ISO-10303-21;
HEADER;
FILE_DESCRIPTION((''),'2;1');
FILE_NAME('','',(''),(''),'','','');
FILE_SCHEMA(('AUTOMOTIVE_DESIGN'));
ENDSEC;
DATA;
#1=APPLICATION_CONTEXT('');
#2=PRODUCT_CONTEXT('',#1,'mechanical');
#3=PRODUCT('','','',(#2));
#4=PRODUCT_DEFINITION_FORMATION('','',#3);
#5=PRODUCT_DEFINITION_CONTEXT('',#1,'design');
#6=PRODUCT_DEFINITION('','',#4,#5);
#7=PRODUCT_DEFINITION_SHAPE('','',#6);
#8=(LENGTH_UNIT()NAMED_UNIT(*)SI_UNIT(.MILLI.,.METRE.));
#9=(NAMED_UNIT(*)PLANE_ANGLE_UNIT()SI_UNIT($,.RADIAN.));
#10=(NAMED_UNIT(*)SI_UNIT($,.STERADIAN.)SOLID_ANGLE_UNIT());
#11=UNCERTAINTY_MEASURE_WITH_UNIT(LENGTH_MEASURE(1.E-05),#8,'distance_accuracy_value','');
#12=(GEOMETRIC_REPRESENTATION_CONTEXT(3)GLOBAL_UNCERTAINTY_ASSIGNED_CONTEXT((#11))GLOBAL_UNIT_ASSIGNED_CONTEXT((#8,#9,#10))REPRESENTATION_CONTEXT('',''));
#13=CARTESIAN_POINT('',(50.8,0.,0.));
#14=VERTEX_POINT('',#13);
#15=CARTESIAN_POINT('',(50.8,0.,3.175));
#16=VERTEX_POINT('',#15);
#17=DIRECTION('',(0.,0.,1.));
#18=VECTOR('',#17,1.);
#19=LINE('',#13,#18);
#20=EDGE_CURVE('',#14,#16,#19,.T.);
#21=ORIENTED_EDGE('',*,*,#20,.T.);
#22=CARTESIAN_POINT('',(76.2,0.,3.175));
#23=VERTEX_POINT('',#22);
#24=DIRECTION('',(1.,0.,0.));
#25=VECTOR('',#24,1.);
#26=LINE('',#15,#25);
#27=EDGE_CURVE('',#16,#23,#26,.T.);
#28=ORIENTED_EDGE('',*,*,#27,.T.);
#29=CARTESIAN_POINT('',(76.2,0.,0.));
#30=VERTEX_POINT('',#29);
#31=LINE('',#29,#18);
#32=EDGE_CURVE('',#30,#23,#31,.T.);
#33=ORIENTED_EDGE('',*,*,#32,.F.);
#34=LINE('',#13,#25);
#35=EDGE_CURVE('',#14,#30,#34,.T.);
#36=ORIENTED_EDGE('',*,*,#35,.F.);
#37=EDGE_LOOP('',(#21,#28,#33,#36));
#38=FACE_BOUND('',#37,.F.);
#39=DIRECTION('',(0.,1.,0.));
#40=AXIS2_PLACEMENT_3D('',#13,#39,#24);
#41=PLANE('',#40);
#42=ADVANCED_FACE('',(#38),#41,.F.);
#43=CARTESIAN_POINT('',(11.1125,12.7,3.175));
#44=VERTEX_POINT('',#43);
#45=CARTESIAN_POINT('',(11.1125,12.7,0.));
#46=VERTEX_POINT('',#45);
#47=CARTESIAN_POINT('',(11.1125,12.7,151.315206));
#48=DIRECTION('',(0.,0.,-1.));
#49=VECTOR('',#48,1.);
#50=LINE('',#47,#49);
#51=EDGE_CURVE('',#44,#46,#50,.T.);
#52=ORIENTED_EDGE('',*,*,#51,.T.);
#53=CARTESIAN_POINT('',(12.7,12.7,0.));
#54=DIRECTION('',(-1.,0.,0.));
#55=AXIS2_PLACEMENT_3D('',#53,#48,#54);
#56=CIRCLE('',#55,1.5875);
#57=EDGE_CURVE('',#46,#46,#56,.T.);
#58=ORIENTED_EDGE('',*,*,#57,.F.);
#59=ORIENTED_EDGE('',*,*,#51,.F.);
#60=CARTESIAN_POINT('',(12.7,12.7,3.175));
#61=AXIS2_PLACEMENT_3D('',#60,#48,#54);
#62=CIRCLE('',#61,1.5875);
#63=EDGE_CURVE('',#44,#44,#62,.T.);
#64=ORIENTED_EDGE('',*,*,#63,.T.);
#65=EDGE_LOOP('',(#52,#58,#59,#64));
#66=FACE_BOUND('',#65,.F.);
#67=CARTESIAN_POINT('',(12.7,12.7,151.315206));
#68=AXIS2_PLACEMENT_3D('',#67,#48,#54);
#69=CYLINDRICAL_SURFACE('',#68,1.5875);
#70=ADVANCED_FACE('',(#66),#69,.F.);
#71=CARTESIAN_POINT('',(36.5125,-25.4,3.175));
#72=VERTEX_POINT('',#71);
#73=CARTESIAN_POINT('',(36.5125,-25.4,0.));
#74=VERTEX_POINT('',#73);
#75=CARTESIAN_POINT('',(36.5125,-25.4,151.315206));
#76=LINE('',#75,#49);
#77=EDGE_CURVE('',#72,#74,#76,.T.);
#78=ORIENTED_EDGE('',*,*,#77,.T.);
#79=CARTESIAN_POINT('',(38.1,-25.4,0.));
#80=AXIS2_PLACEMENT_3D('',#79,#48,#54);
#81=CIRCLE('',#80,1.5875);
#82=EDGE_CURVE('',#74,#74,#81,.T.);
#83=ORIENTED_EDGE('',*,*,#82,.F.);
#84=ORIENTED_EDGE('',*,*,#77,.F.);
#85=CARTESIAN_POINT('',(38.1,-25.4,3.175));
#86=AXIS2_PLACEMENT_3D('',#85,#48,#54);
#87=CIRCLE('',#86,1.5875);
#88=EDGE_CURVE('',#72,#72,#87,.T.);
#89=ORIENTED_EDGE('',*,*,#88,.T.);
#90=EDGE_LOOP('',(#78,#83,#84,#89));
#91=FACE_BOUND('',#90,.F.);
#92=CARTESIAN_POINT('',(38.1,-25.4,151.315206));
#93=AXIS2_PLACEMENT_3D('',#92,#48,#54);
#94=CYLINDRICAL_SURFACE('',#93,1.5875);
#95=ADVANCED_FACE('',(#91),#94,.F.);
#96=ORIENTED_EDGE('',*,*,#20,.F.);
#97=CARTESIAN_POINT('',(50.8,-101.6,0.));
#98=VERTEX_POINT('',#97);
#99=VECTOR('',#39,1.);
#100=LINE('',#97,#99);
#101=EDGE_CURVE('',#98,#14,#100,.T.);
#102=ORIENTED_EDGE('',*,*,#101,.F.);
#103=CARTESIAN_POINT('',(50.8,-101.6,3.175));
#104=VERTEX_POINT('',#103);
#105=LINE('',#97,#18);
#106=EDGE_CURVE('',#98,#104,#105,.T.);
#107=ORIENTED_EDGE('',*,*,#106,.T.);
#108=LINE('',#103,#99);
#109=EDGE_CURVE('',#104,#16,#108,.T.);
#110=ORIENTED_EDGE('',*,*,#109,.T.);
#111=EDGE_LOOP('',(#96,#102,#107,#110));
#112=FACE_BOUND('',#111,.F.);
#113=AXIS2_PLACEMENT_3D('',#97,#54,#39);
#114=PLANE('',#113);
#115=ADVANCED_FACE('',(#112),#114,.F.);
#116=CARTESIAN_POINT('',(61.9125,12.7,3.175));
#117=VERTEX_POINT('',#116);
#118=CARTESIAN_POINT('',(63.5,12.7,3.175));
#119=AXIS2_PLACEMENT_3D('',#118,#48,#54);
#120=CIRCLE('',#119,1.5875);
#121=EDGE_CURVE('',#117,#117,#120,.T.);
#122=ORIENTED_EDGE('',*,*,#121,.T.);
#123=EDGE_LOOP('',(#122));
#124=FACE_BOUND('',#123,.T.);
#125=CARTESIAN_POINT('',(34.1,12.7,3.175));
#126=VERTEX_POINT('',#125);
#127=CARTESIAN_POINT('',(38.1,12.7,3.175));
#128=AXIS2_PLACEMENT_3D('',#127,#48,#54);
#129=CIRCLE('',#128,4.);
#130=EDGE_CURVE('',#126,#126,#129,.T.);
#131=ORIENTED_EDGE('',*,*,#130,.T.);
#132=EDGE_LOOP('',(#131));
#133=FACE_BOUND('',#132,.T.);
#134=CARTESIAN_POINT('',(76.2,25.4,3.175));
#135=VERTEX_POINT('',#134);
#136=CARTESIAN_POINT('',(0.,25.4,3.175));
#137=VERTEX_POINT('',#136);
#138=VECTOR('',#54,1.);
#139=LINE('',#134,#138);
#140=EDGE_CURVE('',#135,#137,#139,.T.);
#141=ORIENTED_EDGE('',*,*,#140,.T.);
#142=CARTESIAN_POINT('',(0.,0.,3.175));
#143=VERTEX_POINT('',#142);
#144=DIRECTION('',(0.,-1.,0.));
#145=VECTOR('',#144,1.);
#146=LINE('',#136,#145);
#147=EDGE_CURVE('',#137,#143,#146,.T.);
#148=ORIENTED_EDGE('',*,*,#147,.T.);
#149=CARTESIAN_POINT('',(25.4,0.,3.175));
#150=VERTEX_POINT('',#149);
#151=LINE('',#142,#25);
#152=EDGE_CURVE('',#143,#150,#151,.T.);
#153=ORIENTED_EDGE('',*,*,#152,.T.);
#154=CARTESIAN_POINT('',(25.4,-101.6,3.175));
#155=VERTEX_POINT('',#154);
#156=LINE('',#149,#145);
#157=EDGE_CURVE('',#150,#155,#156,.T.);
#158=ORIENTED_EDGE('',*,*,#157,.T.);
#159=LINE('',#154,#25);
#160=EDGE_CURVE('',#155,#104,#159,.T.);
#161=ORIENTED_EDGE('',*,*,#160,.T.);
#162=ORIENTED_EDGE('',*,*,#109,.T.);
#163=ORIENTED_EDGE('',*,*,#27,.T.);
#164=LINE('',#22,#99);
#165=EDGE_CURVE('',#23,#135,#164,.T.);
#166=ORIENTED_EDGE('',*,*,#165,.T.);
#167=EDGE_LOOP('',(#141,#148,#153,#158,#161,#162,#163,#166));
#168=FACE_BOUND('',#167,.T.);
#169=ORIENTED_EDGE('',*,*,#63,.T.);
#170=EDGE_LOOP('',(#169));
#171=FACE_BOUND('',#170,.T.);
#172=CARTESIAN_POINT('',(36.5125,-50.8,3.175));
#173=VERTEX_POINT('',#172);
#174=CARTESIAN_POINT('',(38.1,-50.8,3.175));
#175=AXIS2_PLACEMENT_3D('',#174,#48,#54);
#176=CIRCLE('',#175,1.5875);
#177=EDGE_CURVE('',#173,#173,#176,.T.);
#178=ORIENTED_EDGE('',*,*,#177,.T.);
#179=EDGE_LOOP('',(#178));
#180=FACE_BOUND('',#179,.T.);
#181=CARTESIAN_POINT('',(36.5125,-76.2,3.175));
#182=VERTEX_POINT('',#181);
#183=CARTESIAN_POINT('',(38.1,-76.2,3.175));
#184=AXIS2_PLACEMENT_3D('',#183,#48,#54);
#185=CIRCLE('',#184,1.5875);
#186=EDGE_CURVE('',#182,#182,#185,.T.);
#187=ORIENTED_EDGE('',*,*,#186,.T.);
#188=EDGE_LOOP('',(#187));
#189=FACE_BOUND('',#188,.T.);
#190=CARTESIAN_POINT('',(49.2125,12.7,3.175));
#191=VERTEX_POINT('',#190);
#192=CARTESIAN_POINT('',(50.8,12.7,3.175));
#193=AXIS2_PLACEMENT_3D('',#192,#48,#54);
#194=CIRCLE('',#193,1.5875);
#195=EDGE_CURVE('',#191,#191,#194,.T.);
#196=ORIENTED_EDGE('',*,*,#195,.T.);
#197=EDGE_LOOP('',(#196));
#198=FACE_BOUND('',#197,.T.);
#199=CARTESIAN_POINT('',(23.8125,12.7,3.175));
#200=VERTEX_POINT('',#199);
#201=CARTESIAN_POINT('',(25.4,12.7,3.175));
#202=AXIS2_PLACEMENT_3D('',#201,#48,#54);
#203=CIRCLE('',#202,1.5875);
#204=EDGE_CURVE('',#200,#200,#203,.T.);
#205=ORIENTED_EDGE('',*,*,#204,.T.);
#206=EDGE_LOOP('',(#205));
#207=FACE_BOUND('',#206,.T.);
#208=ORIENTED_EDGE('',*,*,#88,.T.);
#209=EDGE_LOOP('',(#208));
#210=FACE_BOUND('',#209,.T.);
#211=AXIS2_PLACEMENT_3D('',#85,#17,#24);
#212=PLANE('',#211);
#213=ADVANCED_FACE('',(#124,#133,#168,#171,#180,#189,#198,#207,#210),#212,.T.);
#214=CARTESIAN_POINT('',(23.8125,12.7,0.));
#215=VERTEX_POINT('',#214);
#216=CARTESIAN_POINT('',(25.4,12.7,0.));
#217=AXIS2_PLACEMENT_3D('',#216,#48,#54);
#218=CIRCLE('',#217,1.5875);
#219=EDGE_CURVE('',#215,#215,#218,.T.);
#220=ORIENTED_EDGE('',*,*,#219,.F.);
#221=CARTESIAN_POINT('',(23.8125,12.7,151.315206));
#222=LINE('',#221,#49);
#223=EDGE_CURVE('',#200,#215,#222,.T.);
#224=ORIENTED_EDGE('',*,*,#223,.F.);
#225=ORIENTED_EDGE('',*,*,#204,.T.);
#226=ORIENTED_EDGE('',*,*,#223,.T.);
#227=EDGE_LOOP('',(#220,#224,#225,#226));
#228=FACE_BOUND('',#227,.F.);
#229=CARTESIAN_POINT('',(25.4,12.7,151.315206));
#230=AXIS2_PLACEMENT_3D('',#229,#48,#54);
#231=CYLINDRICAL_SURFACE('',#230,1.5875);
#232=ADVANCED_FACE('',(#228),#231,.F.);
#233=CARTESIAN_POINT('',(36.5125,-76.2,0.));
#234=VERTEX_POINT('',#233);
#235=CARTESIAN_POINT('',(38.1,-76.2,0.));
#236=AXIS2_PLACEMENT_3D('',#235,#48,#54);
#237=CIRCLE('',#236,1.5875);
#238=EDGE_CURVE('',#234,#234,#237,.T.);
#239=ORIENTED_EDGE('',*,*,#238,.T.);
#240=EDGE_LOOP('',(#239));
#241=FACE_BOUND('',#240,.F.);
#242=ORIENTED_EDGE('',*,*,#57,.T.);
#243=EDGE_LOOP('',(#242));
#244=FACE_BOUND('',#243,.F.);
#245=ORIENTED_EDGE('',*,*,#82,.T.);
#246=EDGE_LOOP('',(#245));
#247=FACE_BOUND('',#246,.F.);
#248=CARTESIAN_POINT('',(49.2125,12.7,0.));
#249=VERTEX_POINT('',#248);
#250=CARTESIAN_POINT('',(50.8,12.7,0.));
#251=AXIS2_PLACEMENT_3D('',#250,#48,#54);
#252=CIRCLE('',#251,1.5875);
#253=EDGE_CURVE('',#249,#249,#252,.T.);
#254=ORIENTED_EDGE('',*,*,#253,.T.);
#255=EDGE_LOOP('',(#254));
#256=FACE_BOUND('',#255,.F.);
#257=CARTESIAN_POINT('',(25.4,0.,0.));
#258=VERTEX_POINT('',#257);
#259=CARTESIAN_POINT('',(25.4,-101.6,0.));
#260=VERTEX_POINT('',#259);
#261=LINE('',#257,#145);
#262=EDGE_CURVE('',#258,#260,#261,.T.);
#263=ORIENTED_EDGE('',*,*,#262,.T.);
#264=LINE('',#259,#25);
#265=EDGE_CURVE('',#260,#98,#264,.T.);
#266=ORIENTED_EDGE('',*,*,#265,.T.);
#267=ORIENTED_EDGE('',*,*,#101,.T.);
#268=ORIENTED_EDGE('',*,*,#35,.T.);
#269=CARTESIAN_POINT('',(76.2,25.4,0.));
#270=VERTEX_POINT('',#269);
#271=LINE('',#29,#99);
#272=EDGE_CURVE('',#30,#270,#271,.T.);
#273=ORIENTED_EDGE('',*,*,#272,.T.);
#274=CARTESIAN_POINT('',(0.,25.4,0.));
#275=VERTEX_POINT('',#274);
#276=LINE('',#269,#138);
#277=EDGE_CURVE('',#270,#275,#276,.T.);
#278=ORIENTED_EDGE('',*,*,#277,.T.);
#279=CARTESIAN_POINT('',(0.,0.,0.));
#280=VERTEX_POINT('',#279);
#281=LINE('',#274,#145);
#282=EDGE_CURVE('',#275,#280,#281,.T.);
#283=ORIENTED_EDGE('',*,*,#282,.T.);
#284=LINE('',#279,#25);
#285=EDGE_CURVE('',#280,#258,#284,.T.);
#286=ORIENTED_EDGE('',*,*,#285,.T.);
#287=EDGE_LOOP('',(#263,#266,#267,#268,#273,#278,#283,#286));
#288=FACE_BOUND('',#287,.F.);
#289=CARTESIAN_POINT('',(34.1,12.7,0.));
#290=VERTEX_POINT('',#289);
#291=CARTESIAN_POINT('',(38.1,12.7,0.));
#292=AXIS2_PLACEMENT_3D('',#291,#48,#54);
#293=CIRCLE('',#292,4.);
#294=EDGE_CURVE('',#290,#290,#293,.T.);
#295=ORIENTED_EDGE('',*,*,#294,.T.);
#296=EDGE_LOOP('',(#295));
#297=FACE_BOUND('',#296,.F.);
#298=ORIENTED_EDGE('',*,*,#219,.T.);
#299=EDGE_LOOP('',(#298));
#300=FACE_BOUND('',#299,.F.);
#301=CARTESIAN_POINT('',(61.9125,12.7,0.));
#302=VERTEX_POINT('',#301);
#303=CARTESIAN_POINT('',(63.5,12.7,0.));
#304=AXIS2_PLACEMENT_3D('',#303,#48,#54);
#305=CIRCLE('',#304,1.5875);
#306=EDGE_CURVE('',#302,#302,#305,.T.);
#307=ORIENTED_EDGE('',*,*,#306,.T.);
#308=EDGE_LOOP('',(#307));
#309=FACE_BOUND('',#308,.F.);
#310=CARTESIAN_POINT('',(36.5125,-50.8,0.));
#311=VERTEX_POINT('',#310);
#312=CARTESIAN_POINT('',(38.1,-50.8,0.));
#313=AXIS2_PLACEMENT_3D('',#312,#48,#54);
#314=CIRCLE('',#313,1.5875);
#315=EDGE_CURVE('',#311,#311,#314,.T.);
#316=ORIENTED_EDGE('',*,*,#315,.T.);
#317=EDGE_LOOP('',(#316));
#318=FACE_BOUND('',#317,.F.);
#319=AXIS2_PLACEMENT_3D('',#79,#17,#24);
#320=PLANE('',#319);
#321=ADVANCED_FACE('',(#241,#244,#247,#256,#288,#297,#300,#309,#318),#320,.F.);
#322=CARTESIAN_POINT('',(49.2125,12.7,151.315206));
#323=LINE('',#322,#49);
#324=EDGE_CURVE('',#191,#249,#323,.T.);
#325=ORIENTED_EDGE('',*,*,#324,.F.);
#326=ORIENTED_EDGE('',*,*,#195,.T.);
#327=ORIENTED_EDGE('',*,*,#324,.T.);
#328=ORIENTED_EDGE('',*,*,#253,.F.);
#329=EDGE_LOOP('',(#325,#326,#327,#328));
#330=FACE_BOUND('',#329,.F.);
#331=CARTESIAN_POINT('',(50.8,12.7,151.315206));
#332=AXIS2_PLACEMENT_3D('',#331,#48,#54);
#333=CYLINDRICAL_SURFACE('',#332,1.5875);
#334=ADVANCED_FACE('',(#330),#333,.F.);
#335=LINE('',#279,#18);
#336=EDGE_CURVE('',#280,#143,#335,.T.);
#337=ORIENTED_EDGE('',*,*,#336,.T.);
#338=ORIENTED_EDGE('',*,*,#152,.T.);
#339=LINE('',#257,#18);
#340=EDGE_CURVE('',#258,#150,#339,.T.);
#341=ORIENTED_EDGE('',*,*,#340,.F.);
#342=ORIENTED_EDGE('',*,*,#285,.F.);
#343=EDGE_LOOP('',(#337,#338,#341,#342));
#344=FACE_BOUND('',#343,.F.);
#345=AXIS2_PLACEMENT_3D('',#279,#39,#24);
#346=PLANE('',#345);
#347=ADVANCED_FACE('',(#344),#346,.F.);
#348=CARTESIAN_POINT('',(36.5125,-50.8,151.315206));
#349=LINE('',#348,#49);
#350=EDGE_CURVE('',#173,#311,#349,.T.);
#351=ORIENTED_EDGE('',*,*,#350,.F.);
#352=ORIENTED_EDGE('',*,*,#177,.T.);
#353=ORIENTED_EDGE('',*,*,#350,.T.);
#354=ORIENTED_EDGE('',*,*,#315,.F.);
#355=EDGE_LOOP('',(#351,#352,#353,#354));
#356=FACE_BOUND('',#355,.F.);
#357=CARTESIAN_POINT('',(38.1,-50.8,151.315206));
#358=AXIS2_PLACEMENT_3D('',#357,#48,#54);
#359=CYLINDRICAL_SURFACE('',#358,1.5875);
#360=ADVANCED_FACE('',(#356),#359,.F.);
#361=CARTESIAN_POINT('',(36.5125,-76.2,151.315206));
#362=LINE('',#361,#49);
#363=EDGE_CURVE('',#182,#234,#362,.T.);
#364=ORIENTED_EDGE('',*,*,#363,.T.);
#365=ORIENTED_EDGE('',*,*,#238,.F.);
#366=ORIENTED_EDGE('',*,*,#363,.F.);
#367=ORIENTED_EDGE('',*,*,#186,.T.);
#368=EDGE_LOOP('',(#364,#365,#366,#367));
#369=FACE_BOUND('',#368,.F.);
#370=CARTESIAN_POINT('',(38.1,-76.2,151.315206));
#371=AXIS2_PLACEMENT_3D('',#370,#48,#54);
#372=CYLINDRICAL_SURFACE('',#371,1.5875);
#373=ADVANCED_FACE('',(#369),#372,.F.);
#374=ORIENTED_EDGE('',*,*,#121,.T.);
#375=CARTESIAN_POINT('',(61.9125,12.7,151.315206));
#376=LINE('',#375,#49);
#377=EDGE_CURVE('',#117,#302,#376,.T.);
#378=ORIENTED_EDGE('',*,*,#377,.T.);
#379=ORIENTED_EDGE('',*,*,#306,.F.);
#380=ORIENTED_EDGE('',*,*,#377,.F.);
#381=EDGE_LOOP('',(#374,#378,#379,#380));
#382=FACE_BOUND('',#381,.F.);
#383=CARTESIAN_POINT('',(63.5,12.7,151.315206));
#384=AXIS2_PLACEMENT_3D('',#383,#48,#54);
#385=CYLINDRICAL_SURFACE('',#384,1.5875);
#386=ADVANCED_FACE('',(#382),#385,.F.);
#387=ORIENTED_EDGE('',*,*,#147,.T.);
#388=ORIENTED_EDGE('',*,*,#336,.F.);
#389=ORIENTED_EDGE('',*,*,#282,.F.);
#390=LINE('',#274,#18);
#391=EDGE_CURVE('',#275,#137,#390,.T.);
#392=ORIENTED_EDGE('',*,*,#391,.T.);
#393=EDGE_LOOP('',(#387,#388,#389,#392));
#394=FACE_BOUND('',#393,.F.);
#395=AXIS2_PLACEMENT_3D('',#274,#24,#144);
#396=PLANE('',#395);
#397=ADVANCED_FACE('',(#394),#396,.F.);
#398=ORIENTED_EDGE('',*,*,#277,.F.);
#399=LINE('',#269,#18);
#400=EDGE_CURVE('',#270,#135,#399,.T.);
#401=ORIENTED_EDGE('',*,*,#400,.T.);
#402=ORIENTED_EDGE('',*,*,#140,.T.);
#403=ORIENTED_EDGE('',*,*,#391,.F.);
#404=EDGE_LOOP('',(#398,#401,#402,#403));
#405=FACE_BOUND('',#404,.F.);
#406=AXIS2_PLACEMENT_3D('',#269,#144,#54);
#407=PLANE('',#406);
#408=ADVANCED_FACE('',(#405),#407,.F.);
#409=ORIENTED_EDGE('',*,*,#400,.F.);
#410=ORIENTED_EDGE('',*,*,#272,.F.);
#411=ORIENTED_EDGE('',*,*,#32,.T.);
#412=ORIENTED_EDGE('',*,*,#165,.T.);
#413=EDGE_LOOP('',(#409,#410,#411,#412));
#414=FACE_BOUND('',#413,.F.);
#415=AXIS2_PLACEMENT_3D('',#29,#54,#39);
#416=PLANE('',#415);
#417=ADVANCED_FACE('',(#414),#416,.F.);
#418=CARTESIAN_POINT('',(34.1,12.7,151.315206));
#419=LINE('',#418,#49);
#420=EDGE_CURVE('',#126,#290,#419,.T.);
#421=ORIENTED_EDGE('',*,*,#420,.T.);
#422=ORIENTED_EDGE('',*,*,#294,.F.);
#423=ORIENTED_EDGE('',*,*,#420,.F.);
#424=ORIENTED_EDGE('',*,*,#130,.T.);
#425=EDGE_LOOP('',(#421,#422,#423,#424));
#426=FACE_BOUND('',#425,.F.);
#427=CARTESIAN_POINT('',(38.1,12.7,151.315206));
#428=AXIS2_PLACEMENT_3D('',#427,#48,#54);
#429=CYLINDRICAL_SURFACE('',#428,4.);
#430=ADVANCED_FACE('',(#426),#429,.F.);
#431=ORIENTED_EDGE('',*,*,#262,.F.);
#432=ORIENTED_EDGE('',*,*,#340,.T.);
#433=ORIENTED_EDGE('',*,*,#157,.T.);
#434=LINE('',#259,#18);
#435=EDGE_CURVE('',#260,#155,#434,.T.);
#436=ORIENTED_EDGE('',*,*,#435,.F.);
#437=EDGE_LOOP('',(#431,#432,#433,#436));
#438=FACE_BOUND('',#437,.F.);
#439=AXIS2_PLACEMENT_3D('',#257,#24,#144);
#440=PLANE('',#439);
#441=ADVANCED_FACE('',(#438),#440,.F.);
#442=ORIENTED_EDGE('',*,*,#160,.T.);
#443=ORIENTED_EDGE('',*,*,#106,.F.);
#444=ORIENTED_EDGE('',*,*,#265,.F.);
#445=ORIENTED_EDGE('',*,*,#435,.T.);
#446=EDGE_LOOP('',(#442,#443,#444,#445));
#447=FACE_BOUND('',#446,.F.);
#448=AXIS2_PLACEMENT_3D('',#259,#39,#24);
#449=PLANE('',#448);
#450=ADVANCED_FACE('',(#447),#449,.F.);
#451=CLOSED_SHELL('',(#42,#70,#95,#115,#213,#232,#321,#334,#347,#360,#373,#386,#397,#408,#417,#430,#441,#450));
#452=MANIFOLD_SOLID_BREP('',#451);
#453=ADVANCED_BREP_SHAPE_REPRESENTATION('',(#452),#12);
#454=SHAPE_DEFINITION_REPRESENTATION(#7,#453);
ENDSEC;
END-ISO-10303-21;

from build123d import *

# Parameters (mm, degrees)
F1_DEPTH = 3.175
F3_D     = 3.175
F5_D     = 8


with BuildPart() as f1:
    # F0 (on Top) → F1 (new body)
    with BuildSketch(Plane.XY):
        Polygon((0, 25.4), (0, 0), (25.4, 0), (25.4, -101.6), (50.8, -101.6), (50.8, 0), (76.2, 0), (76.2, 25.4), align=None)
    extrude(amount=F1_DEPTH)

    # F3 (through all)
    with Locations(Plane.XY.offset(3.175)):
        with Locations((12.7, 12.7), (25.4, 12.7), (50.8, 12.7), (63.5, 12.7), (38.1, -25.4), (38.1, -50.8), (38.1, -76.2)):
            Hole(F3_D / 2)

    # F5 (through all)
    with Locations(Plane.XY.offset(3.175)):
        with Locations((38.1, 12.7)):
            Hole(F5_D / 2)


solid = f1.part
